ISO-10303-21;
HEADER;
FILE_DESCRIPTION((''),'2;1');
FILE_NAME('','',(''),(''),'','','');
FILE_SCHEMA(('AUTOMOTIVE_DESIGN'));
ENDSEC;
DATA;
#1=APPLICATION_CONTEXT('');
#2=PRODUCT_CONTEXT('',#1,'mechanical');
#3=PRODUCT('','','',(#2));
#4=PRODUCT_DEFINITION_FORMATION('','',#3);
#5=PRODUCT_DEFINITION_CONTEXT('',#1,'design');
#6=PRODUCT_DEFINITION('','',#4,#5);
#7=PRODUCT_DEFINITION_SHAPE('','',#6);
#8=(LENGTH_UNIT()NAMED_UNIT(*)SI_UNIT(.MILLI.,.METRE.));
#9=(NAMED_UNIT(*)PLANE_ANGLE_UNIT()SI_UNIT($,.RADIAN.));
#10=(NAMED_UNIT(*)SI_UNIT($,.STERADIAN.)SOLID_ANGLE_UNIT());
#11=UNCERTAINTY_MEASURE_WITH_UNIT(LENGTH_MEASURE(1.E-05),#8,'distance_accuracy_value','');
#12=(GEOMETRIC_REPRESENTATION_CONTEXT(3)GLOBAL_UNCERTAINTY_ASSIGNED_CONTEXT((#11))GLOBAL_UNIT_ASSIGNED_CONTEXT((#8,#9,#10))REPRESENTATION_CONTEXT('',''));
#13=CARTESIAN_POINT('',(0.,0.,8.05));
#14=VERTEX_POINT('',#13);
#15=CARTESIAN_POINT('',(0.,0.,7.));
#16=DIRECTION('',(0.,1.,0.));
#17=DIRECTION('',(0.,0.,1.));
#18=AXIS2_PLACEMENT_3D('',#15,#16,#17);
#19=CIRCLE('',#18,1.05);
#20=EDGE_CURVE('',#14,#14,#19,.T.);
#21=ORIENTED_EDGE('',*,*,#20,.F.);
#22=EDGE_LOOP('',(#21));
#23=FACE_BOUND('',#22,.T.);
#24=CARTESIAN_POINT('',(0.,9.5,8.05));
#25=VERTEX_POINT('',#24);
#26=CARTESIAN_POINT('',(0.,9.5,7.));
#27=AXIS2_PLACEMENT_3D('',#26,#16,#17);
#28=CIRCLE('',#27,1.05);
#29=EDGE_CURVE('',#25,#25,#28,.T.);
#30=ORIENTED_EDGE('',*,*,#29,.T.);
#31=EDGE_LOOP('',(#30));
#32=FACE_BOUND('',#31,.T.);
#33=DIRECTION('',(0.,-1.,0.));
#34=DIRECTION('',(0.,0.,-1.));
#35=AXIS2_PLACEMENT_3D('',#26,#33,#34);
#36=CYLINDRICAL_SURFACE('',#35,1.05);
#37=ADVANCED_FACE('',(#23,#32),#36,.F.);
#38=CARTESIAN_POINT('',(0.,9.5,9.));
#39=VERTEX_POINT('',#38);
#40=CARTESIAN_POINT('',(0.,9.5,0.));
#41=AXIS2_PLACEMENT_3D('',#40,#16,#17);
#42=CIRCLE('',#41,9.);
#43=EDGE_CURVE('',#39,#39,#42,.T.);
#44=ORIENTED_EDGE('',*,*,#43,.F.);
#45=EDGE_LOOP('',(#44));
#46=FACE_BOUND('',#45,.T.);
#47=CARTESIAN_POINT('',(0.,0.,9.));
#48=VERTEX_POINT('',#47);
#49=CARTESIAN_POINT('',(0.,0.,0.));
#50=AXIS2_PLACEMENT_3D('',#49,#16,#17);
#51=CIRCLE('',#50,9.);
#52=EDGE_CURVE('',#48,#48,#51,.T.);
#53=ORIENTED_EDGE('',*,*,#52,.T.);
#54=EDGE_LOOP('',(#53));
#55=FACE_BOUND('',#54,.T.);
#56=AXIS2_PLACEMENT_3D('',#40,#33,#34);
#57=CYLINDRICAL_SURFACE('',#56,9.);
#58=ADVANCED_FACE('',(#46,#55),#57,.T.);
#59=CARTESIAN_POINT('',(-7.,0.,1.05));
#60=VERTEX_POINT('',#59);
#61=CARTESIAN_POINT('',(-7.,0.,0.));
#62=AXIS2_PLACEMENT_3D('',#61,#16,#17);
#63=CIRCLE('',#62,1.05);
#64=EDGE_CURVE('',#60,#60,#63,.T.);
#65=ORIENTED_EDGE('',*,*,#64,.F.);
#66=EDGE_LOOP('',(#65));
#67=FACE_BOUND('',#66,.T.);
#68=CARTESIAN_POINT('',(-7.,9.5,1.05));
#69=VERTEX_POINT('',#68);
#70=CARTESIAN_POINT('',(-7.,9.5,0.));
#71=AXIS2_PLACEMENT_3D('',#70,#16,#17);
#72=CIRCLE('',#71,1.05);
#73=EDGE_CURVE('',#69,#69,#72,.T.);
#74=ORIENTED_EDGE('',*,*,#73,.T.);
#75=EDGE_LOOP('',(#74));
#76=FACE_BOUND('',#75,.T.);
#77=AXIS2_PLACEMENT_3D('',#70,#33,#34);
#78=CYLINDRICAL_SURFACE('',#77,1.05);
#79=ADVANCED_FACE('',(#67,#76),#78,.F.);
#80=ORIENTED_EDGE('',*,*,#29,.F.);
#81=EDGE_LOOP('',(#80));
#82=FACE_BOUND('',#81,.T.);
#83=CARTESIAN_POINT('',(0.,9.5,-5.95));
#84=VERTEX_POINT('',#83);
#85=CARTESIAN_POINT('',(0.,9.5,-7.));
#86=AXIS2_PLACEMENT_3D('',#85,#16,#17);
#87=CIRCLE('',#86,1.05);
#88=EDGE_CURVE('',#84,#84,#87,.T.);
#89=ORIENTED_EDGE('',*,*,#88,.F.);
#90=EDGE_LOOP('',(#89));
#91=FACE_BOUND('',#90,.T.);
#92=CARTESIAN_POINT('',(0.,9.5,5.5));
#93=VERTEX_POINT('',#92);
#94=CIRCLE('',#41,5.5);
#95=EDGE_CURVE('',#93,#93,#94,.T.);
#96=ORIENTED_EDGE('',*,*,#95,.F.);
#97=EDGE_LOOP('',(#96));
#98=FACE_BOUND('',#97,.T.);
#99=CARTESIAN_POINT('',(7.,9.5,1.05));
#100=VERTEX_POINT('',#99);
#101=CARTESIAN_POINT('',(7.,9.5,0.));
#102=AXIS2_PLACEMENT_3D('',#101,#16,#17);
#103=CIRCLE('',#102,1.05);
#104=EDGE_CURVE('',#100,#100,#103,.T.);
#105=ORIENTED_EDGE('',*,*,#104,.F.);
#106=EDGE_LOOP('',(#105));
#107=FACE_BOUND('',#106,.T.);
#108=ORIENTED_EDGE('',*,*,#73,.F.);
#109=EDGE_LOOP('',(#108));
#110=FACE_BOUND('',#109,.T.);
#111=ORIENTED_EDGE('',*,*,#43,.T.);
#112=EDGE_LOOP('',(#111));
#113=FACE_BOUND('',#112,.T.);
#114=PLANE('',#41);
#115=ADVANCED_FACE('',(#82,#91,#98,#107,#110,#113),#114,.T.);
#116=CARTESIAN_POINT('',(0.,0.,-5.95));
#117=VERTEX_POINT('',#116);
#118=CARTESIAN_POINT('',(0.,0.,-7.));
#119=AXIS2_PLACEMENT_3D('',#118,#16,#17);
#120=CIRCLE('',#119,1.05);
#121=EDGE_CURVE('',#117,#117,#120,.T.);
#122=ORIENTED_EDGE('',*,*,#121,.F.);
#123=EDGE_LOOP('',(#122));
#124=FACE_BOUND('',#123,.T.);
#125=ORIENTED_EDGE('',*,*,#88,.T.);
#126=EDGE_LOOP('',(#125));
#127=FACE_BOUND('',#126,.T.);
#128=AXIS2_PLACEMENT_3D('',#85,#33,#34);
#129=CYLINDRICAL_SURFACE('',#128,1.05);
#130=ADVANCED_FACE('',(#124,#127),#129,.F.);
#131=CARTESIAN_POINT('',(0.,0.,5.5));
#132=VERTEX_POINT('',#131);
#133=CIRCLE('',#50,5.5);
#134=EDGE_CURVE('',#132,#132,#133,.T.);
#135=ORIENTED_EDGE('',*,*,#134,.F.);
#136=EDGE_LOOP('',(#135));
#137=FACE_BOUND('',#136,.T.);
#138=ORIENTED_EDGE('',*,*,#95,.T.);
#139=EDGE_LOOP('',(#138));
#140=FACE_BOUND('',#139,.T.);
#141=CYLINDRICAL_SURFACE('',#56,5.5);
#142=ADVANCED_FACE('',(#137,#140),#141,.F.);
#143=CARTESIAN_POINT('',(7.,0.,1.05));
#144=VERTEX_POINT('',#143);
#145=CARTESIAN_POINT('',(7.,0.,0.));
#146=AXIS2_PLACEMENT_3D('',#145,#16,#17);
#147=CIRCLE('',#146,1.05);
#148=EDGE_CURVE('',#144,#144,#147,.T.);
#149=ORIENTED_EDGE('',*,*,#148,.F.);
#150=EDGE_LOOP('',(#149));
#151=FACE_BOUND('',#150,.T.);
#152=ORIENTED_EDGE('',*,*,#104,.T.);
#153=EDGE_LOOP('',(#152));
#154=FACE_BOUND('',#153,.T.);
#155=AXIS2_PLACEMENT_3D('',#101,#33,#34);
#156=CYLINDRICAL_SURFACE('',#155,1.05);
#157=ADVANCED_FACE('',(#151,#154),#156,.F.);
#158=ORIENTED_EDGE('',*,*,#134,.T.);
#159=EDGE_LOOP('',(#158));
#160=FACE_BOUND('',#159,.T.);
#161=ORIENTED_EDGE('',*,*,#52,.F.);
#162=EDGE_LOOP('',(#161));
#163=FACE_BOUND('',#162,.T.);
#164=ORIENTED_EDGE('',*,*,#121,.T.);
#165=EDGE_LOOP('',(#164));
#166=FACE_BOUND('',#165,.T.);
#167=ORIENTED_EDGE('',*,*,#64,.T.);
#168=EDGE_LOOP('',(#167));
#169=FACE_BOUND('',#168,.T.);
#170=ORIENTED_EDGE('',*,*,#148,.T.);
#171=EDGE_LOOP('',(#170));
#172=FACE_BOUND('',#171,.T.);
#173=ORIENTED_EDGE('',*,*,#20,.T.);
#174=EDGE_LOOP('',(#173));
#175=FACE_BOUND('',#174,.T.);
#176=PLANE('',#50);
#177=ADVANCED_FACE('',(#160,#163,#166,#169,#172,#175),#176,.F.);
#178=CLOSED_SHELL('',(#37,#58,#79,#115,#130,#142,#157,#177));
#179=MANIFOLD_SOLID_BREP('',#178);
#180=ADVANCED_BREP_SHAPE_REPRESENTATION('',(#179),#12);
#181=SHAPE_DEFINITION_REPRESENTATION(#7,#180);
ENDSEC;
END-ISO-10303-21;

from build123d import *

# Parameters (mm, degrees)
SKETCH1_R           = 9
SKETCH1_R_2         = 1.05
SKETCH1_R_3         = 5.5
BOSS_EXTRUDE1_DEPTH = 9.5


with BuildPart() as part:
    # Sketch1 → Boss-Extrude1 (new body)
    with BuildSketch(Plane(origin=(0, 0, 0), x_dir=(1, 0, 0), z_dir=(0, 1, 0))):
        with Locations(Location((0, 0, 0), (0, 0, 270))):
            Circle(SKETCH1_R)
        with Locations(Location((0, 7, 0), (0, 0, 270))):
            Circle(SKETCH1_R_2, mode=Mode.SUBTRACT)
        with Locations(Location((7, 0, 0), (0, 0, 270))):
            Circle(SKETCH1_R_2, mode=Mode.SUBTRACT)
        with Locations(Location((0, -7, 0), (0, 0, 270))):
            Circle(SKETCH1_R_2, mode=Mode.SUBTRACT)
        with Locations(Location((-7, 0, 0), (0, 0, 270))):
            Circle(SKETCH1_R_2, mode=Mode.SUBTRACT)
        with Locations(Location((0, 0, 0), (0, 0, 270))):
            Circle(SKETCH1_R_3, mode=Mode.SUBTRACT)
    extrude(amount=BOSS_EXTRUDE1_DEPTH)


solid = part.part
